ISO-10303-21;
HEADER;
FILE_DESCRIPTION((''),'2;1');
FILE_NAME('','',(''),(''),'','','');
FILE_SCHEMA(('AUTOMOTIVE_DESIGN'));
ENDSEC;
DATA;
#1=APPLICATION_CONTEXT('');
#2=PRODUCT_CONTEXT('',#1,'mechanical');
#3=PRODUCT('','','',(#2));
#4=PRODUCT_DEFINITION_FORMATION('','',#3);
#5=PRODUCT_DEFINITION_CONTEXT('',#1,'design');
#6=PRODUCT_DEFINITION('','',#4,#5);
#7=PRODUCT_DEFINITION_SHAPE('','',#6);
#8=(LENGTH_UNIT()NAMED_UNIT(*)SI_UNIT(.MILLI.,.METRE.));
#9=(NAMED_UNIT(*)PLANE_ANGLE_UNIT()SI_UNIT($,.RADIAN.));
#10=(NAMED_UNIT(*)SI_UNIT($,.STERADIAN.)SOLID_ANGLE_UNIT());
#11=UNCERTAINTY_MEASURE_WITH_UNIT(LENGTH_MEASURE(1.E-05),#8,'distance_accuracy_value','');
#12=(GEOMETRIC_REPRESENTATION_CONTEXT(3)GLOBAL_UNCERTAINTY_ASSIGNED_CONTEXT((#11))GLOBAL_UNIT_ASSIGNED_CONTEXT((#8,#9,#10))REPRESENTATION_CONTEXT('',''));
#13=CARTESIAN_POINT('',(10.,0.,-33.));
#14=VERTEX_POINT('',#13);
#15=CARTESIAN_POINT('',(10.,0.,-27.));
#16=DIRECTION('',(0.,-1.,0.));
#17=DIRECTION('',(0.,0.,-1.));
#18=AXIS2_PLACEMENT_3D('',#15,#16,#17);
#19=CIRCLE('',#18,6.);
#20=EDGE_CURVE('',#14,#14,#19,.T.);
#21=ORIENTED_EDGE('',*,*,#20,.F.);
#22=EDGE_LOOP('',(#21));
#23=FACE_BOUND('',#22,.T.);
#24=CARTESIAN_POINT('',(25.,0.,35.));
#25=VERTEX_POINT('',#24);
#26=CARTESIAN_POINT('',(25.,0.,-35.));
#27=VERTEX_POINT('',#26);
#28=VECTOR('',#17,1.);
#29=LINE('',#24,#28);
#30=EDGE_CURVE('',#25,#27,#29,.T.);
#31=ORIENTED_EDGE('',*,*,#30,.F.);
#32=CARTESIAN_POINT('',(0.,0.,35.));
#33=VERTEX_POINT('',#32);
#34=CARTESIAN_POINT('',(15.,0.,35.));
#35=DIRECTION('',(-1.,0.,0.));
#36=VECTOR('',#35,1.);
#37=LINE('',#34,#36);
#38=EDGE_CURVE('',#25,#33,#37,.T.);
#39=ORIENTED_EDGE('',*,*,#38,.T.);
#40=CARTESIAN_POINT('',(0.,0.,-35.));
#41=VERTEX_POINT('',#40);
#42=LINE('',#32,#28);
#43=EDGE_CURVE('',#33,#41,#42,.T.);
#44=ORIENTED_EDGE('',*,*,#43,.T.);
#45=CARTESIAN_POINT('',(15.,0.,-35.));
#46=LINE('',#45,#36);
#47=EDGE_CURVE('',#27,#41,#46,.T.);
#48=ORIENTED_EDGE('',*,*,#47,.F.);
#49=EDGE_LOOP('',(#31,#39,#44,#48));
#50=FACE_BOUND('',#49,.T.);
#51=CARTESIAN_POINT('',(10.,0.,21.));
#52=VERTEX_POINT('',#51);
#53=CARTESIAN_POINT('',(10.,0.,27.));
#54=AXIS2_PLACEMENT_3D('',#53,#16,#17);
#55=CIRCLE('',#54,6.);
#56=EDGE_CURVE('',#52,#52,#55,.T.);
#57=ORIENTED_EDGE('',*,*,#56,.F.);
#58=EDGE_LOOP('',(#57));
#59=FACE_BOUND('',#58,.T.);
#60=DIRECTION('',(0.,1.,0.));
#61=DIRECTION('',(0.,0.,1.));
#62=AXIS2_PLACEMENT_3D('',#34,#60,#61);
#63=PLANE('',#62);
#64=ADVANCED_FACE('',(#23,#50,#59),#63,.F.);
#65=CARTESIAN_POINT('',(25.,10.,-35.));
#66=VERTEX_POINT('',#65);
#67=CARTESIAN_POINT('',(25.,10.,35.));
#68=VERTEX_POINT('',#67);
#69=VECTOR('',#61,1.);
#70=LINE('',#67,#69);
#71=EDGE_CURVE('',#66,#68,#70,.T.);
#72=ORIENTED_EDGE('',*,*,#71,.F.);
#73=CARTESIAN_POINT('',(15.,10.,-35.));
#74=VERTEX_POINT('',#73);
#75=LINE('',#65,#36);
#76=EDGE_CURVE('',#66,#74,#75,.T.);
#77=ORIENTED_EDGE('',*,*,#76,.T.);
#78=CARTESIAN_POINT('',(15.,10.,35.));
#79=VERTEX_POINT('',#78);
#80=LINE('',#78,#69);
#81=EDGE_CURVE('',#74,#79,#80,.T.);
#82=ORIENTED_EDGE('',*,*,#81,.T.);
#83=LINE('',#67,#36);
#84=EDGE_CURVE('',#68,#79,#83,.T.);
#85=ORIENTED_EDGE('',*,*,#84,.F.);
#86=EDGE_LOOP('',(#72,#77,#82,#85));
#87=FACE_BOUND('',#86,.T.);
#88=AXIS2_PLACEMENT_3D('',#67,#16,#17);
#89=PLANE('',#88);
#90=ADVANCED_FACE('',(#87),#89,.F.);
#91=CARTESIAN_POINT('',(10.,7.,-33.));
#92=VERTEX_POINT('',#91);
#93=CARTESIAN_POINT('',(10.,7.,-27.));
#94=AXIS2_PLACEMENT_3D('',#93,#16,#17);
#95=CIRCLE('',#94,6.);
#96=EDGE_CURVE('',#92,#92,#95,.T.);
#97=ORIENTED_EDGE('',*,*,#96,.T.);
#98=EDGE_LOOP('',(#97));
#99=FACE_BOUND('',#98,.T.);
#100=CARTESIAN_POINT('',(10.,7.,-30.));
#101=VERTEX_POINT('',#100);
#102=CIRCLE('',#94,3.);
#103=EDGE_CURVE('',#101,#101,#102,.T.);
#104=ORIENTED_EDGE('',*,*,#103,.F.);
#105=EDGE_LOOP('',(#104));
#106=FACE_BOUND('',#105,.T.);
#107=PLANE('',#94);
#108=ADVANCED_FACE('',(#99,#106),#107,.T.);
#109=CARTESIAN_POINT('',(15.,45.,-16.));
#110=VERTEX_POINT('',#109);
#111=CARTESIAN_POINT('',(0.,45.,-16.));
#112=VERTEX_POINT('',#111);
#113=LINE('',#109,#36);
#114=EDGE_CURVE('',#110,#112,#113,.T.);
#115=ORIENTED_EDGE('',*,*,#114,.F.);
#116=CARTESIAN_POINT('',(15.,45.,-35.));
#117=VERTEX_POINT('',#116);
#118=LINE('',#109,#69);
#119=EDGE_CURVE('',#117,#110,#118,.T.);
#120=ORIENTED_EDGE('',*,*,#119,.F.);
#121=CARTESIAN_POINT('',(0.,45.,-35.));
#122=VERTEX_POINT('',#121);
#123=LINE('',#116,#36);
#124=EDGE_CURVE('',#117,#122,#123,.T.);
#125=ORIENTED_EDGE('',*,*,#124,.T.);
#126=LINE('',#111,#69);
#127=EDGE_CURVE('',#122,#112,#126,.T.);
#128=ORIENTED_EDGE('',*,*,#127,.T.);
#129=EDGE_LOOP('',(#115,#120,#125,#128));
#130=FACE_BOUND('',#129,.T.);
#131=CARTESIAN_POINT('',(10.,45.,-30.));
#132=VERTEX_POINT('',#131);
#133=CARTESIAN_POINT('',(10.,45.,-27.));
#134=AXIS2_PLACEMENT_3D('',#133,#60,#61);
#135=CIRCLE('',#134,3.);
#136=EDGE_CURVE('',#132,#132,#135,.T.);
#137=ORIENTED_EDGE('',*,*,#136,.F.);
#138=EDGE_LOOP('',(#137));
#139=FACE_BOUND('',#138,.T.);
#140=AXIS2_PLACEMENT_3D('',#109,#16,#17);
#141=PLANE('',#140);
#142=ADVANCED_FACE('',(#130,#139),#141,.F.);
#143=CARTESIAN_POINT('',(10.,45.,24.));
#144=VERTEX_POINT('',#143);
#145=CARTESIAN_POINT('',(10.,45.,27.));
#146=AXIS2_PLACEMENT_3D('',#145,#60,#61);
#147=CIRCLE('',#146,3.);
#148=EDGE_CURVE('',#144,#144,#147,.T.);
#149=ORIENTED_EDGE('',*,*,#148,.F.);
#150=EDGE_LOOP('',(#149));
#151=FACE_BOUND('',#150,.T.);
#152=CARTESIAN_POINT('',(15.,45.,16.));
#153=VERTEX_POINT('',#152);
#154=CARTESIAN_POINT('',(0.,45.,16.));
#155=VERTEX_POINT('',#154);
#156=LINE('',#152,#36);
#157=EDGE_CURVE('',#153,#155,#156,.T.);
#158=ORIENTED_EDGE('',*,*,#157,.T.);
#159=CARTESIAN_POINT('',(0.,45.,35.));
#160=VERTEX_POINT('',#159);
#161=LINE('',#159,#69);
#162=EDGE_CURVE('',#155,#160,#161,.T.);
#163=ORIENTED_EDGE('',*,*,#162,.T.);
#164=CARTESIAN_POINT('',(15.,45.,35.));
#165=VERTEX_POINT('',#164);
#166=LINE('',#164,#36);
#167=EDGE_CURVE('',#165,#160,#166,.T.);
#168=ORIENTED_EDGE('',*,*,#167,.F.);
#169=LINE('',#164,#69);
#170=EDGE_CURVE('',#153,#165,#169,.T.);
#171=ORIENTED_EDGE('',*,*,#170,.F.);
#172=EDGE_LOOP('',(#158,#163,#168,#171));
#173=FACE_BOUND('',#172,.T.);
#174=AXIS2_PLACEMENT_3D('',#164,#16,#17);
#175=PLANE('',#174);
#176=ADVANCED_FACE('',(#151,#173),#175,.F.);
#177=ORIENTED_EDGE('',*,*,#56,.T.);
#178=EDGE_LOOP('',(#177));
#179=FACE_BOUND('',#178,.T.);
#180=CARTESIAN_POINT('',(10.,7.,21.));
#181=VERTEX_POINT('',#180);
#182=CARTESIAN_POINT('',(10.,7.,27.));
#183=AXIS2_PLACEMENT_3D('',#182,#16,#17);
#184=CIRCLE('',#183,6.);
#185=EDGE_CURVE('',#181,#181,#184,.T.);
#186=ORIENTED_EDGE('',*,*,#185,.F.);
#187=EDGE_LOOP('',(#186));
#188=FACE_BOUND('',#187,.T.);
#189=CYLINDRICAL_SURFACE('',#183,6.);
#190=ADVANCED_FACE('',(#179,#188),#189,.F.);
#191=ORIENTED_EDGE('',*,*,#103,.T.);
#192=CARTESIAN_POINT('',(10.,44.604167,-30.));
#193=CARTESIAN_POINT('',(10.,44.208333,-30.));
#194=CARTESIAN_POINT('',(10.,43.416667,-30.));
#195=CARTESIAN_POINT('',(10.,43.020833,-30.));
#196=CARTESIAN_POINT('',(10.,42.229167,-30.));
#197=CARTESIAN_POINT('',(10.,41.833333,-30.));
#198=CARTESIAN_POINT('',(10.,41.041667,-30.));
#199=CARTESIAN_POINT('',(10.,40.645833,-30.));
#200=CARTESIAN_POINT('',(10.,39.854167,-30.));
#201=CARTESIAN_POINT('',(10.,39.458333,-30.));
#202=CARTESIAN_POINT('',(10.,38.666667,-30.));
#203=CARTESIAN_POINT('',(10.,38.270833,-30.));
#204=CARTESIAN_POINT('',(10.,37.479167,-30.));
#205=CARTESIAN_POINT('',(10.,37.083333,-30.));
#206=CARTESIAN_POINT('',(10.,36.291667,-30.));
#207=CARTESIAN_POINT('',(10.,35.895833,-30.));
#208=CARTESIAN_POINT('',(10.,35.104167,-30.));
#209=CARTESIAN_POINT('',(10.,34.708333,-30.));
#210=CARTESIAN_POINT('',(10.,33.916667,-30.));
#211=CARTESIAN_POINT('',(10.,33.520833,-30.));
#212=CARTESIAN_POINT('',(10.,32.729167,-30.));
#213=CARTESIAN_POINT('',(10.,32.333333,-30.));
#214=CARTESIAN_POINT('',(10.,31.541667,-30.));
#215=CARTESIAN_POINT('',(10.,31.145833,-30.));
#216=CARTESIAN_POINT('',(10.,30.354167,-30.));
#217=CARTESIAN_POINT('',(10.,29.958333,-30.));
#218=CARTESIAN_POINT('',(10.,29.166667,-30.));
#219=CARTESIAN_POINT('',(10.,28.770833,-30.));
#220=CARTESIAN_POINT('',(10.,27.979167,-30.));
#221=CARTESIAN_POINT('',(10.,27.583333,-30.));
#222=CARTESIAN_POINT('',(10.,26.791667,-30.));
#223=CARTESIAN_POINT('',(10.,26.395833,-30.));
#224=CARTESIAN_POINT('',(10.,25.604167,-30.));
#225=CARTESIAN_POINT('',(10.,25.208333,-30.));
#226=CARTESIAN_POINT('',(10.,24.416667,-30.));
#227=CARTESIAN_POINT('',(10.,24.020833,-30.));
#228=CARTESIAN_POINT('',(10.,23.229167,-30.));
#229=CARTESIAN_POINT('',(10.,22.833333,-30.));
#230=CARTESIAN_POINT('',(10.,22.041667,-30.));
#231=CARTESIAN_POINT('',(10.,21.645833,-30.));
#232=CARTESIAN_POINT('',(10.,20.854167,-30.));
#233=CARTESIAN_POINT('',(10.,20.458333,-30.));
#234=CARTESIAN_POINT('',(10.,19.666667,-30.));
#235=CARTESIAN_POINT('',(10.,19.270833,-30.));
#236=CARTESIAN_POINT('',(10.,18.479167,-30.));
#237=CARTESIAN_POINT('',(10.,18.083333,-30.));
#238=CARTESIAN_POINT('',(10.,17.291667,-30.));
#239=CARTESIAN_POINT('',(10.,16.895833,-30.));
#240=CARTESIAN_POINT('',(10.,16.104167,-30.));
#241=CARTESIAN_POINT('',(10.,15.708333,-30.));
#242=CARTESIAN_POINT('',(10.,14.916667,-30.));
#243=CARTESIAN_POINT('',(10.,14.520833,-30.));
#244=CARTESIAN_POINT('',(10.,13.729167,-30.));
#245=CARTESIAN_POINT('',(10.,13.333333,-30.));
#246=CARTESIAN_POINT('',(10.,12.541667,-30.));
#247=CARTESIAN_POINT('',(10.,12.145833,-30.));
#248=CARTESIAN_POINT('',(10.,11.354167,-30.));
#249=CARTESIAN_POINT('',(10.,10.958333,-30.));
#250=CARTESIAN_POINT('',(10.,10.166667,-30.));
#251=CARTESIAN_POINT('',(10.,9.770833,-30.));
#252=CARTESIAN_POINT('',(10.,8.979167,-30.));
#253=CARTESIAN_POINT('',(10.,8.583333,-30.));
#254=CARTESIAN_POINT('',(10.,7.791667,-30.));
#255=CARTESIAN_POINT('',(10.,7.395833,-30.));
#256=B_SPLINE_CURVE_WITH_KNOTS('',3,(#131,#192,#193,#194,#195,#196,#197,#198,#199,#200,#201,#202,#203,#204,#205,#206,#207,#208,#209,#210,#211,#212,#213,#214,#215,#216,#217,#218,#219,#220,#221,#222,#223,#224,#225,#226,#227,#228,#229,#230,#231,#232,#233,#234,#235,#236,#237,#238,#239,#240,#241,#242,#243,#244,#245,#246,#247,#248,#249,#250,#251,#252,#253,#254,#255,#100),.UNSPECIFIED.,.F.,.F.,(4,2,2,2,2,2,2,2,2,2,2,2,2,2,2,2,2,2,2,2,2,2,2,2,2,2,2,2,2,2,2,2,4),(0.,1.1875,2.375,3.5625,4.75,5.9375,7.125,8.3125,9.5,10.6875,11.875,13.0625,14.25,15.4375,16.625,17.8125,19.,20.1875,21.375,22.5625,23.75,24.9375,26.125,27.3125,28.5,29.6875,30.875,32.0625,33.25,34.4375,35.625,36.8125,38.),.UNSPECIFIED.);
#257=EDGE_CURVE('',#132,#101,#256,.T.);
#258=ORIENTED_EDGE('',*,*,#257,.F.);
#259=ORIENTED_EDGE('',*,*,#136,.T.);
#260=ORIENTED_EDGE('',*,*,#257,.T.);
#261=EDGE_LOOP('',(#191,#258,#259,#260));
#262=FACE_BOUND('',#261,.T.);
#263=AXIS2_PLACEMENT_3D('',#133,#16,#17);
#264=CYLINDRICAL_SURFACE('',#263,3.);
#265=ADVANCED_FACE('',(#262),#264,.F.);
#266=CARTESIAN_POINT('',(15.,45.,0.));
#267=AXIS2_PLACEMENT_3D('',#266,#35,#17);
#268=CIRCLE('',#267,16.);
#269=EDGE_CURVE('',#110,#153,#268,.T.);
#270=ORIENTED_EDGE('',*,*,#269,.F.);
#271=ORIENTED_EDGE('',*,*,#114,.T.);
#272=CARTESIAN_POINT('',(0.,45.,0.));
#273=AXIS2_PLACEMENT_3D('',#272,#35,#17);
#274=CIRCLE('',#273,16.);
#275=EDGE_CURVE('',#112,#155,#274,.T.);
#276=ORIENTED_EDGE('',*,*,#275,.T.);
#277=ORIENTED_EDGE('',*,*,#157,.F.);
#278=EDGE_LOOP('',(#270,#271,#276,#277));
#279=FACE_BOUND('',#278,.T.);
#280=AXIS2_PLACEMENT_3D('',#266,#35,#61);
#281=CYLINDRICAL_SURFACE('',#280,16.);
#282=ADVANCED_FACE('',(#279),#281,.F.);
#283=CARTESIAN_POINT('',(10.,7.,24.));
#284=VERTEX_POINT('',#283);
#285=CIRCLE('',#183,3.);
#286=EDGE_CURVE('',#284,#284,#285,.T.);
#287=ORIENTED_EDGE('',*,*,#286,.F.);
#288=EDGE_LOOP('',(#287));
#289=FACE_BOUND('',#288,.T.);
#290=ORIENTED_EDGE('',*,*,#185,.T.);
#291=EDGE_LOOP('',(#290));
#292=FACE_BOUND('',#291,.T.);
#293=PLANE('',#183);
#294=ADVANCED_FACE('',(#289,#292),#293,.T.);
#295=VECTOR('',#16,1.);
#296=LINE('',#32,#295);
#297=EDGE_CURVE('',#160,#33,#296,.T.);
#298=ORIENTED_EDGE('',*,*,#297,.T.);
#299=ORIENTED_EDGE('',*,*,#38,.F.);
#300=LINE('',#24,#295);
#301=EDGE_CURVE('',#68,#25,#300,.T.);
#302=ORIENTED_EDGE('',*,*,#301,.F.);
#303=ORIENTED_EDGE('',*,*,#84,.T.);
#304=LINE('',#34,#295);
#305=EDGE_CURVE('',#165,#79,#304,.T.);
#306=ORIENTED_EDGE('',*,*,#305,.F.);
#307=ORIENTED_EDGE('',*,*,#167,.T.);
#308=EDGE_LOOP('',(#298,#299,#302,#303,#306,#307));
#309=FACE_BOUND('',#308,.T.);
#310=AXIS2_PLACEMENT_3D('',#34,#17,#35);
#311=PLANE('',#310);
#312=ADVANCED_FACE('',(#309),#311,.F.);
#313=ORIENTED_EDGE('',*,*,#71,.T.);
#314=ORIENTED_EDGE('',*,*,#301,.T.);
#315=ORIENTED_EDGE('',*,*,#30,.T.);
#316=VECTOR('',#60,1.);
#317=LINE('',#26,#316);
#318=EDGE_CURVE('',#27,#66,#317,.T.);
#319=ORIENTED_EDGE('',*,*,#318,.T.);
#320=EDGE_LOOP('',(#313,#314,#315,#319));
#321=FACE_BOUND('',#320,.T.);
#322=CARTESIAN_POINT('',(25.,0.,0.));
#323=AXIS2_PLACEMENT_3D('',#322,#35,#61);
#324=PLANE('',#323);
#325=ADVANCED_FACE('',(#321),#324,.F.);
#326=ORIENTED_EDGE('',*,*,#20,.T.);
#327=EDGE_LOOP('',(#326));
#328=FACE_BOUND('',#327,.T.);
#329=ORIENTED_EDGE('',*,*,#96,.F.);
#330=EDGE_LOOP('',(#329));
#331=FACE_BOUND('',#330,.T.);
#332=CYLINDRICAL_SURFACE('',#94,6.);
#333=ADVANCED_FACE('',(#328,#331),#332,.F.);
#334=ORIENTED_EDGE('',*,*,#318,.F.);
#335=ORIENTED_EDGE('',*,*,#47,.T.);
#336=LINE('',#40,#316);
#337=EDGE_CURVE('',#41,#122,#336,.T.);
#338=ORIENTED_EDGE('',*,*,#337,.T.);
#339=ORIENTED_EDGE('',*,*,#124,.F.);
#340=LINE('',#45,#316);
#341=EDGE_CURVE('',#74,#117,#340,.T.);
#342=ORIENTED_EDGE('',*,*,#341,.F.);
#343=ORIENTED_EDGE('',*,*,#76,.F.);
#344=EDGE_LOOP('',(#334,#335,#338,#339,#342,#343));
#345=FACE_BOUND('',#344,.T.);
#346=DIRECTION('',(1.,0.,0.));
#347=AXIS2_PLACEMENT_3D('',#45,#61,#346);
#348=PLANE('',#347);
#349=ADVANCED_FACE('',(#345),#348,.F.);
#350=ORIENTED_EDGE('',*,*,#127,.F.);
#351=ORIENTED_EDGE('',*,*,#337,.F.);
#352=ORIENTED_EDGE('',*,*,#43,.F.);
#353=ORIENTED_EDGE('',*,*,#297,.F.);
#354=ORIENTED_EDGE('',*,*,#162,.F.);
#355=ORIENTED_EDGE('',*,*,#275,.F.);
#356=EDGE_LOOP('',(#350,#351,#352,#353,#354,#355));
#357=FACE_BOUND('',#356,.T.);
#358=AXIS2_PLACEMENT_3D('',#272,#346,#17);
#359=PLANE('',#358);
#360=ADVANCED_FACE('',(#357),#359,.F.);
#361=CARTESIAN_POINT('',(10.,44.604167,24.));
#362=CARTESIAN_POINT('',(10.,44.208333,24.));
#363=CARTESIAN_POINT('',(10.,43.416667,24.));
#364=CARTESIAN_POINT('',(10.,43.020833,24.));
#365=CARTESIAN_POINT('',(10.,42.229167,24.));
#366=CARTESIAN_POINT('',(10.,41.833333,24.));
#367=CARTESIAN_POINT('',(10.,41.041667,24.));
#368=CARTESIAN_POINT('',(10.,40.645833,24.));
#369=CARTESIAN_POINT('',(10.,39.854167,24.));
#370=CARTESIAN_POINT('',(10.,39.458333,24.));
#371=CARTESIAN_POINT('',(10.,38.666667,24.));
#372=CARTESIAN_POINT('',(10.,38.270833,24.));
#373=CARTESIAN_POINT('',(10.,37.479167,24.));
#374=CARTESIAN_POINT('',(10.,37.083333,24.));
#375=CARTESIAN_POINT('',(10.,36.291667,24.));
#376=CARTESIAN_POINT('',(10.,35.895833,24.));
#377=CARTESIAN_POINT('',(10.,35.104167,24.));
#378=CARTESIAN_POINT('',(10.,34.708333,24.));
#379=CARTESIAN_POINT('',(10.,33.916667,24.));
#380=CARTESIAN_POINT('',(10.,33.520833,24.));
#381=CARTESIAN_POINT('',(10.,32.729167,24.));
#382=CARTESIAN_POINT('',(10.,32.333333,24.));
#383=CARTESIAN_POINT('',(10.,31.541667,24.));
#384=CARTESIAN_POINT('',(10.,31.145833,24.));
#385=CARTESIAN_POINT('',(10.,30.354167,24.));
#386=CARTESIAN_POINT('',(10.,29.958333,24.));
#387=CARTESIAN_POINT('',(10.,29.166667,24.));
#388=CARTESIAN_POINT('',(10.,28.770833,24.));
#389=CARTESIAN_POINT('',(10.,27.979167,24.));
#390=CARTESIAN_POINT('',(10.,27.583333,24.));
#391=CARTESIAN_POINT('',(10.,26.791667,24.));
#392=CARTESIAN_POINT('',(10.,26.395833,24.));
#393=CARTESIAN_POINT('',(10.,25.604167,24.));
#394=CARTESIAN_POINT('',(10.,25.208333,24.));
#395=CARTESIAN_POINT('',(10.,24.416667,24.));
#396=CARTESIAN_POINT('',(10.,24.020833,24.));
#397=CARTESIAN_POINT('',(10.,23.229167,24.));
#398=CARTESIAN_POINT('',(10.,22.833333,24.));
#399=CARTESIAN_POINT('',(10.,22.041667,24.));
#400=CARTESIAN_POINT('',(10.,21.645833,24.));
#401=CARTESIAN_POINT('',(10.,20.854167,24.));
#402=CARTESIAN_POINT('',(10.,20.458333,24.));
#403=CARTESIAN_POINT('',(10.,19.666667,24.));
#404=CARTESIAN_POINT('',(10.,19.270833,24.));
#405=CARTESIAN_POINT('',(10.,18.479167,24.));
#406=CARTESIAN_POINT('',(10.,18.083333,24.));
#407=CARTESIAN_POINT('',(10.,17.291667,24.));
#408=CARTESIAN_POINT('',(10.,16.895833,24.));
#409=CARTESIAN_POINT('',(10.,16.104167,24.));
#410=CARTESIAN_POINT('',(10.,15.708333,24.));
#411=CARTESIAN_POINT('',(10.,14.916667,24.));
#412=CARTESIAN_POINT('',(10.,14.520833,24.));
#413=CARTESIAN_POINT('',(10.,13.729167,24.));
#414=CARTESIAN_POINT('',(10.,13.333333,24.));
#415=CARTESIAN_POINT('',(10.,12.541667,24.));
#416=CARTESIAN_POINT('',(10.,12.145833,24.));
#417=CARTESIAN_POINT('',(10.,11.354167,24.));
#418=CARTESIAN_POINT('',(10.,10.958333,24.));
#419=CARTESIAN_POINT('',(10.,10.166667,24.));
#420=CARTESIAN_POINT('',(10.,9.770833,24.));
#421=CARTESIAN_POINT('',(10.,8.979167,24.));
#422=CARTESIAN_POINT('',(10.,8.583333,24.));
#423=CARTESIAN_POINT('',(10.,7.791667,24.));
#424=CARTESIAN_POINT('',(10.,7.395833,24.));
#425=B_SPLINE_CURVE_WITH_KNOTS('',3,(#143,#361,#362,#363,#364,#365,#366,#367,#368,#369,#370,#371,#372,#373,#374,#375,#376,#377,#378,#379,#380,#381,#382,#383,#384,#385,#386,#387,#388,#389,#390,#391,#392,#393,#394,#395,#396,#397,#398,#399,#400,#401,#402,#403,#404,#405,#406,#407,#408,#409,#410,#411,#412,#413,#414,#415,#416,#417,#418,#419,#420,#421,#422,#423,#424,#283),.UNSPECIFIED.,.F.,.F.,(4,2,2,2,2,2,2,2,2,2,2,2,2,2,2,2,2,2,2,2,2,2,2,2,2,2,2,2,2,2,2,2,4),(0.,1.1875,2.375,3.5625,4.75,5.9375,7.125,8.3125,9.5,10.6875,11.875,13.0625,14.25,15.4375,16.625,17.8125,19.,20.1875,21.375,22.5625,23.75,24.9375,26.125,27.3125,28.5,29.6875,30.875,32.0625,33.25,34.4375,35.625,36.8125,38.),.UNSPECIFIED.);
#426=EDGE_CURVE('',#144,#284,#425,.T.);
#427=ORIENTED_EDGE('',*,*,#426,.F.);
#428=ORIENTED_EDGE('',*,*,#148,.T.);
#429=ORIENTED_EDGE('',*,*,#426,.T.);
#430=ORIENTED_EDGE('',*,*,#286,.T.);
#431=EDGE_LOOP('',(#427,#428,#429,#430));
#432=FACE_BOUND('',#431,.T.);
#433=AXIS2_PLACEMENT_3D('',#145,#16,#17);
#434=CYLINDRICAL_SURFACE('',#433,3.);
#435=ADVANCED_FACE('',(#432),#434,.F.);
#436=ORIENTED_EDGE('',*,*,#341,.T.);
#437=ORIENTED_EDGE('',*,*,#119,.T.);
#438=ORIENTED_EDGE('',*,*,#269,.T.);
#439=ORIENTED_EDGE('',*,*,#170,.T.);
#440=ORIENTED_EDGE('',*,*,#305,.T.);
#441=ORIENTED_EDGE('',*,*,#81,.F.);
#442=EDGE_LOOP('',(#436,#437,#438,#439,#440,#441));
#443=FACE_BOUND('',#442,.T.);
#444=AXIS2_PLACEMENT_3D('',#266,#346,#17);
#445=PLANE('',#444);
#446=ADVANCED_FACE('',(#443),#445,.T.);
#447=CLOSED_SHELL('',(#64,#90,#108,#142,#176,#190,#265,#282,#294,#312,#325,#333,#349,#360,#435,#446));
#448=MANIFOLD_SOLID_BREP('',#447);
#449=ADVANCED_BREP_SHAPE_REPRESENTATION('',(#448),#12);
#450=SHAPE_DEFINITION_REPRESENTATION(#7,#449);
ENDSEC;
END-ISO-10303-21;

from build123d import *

# Parameters (mm, degrees)
BOSS_EXTRUDE1_DEPTH = 15
SKETCH2_R           = 3
CUT_EXTRUDE1_DEPTH  = 59.949130613
SKETCH3_W           = 70
SKETCH3_H           = 10
BOSS_EXTRUDE2_DEPTH = 10
SKETCH4_R           = 6
CUT_EXTRUDE2_DEPTH  = 7


with BuildPart() as part:
    # Sketch1 → Boss-Extrude1 (new body)
    with BuildSketch(Plane(origin=(0, 0, 0), x_dir=(0, 0, -1), z_dir=(1, 0, 0))):
        with BuildLine():
            Line((16, 45), (35, 45))
            Line((35, 45), (35, 0))
            Line((35, 0), (-35, 0))
            Line((-35, 0), (-35, 45))
            Line((-35, 45), (-16, 45))
            ThreePointArc((-16, 45), (0, 29), (16, 45))
        make_face()
    extrude(amount=BOSS_EXTRUDE1_DEPTH)

    # Sketch2 → Cut-Extrude1 (cut, through all)
    with BuildSketch(Plane(origin=(0, 0, 0), x_dir=(1, 0, 0), z_dir=(0, 1, 0))):
        with Locations(Location((10, -27, 0), (0, 0, 90))):
            Circle(SKETCH2_R)
        with Locations(Location((10, 27, 0), (0, 0, 90))):
            Circle(SKETCH2_R)
    extrude(amount=CUT_EXTRUDE1_DEPTH, mode=Mode.SUBTRACT)

    # Sketch3 → Boss-Extrude2 (add)
    with BuildSketch(Plane(origin=(15, 0, 0), x_dir=(0, 0, -1), z_dir=(1, 0, 0))):
        with Locations((0, 5)):
            Rectangle(SKETCH3_W, SKETCH3_H)
    extrude(amount=BOSS_EXTRUDE2_DEPTH)

    # Sketch4 → Cut-Extrude2 (cut)
    with BuildSketch(Plane.XZ):
        with Locations(Location((10, 27, 0), (0, 0, 270))):
            Circle(SKETCH4_R)
        with Locations(Location((10, -27, 0), (0, 0, 270))):
            Circle(SKETCH4_R)
    extrude(amount=-CUT_EXTRUDE2_DEPTH, mode=Mode.SUBTRACT)


solid = part.part
